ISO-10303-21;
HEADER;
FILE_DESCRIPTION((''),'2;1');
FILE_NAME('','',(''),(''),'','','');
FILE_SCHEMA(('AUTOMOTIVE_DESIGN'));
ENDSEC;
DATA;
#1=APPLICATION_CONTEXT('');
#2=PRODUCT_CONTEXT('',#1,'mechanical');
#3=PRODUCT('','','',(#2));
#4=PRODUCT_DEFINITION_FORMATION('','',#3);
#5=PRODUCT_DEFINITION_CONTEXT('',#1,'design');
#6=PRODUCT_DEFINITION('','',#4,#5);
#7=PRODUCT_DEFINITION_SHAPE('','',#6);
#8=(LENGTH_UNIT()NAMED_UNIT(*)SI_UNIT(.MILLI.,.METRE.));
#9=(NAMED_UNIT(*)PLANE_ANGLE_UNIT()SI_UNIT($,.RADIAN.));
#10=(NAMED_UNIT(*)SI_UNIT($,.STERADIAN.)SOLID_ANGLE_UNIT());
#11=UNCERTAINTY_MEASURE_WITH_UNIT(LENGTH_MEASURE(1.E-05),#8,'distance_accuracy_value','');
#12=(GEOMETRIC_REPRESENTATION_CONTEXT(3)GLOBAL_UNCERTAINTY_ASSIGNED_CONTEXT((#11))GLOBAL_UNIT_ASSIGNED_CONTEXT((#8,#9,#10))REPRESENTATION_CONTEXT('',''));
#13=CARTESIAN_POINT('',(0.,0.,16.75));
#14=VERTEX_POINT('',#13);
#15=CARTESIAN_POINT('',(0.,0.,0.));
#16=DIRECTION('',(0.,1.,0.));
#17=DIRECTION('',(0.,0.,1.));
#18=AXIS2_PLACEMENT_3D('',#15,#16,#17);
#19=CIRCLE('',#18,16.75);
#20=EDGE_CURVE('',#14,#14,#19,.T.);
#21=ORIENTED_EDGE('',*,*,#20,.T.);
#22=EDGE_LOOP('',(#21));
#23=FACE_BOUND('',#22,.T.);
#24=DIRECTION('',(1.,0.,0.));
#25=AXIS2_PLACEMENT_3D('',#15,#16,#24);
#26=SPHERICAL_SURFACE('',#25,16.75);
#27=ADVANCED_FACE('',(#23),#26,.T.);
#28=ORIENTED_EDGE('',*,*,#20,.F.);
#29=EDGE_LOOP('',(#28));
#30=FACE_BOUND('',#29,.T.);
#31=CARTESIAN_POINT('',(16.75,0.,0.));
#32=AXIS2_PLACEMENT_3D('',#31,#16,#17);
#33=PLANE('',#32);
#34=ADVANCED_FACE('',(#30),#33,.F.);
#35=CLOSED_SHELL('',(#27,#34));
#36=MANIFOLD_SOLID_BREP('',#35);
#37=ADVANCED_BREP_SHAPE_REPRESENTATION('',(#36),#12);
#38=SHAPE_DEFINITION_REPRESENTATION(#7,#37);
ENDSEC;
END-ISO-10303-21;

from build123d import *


with BuildPart() as part:
    # Esquisse2 → Révolution1 (revolve)
    with BuildSketch(Plane.XY):
        with BuildLine():
            Line((16.75, 0), (0, 0))
            Line((0, 0), (0, 16.75))
            ThreePointArc((0, 16.75), (11.844038585, 11.844038585), (16.75, 0))
        make_face()
    revolve(axis=Axis((0, 20.735426009, 0), (0, -1, 0)))


solid = part.part
